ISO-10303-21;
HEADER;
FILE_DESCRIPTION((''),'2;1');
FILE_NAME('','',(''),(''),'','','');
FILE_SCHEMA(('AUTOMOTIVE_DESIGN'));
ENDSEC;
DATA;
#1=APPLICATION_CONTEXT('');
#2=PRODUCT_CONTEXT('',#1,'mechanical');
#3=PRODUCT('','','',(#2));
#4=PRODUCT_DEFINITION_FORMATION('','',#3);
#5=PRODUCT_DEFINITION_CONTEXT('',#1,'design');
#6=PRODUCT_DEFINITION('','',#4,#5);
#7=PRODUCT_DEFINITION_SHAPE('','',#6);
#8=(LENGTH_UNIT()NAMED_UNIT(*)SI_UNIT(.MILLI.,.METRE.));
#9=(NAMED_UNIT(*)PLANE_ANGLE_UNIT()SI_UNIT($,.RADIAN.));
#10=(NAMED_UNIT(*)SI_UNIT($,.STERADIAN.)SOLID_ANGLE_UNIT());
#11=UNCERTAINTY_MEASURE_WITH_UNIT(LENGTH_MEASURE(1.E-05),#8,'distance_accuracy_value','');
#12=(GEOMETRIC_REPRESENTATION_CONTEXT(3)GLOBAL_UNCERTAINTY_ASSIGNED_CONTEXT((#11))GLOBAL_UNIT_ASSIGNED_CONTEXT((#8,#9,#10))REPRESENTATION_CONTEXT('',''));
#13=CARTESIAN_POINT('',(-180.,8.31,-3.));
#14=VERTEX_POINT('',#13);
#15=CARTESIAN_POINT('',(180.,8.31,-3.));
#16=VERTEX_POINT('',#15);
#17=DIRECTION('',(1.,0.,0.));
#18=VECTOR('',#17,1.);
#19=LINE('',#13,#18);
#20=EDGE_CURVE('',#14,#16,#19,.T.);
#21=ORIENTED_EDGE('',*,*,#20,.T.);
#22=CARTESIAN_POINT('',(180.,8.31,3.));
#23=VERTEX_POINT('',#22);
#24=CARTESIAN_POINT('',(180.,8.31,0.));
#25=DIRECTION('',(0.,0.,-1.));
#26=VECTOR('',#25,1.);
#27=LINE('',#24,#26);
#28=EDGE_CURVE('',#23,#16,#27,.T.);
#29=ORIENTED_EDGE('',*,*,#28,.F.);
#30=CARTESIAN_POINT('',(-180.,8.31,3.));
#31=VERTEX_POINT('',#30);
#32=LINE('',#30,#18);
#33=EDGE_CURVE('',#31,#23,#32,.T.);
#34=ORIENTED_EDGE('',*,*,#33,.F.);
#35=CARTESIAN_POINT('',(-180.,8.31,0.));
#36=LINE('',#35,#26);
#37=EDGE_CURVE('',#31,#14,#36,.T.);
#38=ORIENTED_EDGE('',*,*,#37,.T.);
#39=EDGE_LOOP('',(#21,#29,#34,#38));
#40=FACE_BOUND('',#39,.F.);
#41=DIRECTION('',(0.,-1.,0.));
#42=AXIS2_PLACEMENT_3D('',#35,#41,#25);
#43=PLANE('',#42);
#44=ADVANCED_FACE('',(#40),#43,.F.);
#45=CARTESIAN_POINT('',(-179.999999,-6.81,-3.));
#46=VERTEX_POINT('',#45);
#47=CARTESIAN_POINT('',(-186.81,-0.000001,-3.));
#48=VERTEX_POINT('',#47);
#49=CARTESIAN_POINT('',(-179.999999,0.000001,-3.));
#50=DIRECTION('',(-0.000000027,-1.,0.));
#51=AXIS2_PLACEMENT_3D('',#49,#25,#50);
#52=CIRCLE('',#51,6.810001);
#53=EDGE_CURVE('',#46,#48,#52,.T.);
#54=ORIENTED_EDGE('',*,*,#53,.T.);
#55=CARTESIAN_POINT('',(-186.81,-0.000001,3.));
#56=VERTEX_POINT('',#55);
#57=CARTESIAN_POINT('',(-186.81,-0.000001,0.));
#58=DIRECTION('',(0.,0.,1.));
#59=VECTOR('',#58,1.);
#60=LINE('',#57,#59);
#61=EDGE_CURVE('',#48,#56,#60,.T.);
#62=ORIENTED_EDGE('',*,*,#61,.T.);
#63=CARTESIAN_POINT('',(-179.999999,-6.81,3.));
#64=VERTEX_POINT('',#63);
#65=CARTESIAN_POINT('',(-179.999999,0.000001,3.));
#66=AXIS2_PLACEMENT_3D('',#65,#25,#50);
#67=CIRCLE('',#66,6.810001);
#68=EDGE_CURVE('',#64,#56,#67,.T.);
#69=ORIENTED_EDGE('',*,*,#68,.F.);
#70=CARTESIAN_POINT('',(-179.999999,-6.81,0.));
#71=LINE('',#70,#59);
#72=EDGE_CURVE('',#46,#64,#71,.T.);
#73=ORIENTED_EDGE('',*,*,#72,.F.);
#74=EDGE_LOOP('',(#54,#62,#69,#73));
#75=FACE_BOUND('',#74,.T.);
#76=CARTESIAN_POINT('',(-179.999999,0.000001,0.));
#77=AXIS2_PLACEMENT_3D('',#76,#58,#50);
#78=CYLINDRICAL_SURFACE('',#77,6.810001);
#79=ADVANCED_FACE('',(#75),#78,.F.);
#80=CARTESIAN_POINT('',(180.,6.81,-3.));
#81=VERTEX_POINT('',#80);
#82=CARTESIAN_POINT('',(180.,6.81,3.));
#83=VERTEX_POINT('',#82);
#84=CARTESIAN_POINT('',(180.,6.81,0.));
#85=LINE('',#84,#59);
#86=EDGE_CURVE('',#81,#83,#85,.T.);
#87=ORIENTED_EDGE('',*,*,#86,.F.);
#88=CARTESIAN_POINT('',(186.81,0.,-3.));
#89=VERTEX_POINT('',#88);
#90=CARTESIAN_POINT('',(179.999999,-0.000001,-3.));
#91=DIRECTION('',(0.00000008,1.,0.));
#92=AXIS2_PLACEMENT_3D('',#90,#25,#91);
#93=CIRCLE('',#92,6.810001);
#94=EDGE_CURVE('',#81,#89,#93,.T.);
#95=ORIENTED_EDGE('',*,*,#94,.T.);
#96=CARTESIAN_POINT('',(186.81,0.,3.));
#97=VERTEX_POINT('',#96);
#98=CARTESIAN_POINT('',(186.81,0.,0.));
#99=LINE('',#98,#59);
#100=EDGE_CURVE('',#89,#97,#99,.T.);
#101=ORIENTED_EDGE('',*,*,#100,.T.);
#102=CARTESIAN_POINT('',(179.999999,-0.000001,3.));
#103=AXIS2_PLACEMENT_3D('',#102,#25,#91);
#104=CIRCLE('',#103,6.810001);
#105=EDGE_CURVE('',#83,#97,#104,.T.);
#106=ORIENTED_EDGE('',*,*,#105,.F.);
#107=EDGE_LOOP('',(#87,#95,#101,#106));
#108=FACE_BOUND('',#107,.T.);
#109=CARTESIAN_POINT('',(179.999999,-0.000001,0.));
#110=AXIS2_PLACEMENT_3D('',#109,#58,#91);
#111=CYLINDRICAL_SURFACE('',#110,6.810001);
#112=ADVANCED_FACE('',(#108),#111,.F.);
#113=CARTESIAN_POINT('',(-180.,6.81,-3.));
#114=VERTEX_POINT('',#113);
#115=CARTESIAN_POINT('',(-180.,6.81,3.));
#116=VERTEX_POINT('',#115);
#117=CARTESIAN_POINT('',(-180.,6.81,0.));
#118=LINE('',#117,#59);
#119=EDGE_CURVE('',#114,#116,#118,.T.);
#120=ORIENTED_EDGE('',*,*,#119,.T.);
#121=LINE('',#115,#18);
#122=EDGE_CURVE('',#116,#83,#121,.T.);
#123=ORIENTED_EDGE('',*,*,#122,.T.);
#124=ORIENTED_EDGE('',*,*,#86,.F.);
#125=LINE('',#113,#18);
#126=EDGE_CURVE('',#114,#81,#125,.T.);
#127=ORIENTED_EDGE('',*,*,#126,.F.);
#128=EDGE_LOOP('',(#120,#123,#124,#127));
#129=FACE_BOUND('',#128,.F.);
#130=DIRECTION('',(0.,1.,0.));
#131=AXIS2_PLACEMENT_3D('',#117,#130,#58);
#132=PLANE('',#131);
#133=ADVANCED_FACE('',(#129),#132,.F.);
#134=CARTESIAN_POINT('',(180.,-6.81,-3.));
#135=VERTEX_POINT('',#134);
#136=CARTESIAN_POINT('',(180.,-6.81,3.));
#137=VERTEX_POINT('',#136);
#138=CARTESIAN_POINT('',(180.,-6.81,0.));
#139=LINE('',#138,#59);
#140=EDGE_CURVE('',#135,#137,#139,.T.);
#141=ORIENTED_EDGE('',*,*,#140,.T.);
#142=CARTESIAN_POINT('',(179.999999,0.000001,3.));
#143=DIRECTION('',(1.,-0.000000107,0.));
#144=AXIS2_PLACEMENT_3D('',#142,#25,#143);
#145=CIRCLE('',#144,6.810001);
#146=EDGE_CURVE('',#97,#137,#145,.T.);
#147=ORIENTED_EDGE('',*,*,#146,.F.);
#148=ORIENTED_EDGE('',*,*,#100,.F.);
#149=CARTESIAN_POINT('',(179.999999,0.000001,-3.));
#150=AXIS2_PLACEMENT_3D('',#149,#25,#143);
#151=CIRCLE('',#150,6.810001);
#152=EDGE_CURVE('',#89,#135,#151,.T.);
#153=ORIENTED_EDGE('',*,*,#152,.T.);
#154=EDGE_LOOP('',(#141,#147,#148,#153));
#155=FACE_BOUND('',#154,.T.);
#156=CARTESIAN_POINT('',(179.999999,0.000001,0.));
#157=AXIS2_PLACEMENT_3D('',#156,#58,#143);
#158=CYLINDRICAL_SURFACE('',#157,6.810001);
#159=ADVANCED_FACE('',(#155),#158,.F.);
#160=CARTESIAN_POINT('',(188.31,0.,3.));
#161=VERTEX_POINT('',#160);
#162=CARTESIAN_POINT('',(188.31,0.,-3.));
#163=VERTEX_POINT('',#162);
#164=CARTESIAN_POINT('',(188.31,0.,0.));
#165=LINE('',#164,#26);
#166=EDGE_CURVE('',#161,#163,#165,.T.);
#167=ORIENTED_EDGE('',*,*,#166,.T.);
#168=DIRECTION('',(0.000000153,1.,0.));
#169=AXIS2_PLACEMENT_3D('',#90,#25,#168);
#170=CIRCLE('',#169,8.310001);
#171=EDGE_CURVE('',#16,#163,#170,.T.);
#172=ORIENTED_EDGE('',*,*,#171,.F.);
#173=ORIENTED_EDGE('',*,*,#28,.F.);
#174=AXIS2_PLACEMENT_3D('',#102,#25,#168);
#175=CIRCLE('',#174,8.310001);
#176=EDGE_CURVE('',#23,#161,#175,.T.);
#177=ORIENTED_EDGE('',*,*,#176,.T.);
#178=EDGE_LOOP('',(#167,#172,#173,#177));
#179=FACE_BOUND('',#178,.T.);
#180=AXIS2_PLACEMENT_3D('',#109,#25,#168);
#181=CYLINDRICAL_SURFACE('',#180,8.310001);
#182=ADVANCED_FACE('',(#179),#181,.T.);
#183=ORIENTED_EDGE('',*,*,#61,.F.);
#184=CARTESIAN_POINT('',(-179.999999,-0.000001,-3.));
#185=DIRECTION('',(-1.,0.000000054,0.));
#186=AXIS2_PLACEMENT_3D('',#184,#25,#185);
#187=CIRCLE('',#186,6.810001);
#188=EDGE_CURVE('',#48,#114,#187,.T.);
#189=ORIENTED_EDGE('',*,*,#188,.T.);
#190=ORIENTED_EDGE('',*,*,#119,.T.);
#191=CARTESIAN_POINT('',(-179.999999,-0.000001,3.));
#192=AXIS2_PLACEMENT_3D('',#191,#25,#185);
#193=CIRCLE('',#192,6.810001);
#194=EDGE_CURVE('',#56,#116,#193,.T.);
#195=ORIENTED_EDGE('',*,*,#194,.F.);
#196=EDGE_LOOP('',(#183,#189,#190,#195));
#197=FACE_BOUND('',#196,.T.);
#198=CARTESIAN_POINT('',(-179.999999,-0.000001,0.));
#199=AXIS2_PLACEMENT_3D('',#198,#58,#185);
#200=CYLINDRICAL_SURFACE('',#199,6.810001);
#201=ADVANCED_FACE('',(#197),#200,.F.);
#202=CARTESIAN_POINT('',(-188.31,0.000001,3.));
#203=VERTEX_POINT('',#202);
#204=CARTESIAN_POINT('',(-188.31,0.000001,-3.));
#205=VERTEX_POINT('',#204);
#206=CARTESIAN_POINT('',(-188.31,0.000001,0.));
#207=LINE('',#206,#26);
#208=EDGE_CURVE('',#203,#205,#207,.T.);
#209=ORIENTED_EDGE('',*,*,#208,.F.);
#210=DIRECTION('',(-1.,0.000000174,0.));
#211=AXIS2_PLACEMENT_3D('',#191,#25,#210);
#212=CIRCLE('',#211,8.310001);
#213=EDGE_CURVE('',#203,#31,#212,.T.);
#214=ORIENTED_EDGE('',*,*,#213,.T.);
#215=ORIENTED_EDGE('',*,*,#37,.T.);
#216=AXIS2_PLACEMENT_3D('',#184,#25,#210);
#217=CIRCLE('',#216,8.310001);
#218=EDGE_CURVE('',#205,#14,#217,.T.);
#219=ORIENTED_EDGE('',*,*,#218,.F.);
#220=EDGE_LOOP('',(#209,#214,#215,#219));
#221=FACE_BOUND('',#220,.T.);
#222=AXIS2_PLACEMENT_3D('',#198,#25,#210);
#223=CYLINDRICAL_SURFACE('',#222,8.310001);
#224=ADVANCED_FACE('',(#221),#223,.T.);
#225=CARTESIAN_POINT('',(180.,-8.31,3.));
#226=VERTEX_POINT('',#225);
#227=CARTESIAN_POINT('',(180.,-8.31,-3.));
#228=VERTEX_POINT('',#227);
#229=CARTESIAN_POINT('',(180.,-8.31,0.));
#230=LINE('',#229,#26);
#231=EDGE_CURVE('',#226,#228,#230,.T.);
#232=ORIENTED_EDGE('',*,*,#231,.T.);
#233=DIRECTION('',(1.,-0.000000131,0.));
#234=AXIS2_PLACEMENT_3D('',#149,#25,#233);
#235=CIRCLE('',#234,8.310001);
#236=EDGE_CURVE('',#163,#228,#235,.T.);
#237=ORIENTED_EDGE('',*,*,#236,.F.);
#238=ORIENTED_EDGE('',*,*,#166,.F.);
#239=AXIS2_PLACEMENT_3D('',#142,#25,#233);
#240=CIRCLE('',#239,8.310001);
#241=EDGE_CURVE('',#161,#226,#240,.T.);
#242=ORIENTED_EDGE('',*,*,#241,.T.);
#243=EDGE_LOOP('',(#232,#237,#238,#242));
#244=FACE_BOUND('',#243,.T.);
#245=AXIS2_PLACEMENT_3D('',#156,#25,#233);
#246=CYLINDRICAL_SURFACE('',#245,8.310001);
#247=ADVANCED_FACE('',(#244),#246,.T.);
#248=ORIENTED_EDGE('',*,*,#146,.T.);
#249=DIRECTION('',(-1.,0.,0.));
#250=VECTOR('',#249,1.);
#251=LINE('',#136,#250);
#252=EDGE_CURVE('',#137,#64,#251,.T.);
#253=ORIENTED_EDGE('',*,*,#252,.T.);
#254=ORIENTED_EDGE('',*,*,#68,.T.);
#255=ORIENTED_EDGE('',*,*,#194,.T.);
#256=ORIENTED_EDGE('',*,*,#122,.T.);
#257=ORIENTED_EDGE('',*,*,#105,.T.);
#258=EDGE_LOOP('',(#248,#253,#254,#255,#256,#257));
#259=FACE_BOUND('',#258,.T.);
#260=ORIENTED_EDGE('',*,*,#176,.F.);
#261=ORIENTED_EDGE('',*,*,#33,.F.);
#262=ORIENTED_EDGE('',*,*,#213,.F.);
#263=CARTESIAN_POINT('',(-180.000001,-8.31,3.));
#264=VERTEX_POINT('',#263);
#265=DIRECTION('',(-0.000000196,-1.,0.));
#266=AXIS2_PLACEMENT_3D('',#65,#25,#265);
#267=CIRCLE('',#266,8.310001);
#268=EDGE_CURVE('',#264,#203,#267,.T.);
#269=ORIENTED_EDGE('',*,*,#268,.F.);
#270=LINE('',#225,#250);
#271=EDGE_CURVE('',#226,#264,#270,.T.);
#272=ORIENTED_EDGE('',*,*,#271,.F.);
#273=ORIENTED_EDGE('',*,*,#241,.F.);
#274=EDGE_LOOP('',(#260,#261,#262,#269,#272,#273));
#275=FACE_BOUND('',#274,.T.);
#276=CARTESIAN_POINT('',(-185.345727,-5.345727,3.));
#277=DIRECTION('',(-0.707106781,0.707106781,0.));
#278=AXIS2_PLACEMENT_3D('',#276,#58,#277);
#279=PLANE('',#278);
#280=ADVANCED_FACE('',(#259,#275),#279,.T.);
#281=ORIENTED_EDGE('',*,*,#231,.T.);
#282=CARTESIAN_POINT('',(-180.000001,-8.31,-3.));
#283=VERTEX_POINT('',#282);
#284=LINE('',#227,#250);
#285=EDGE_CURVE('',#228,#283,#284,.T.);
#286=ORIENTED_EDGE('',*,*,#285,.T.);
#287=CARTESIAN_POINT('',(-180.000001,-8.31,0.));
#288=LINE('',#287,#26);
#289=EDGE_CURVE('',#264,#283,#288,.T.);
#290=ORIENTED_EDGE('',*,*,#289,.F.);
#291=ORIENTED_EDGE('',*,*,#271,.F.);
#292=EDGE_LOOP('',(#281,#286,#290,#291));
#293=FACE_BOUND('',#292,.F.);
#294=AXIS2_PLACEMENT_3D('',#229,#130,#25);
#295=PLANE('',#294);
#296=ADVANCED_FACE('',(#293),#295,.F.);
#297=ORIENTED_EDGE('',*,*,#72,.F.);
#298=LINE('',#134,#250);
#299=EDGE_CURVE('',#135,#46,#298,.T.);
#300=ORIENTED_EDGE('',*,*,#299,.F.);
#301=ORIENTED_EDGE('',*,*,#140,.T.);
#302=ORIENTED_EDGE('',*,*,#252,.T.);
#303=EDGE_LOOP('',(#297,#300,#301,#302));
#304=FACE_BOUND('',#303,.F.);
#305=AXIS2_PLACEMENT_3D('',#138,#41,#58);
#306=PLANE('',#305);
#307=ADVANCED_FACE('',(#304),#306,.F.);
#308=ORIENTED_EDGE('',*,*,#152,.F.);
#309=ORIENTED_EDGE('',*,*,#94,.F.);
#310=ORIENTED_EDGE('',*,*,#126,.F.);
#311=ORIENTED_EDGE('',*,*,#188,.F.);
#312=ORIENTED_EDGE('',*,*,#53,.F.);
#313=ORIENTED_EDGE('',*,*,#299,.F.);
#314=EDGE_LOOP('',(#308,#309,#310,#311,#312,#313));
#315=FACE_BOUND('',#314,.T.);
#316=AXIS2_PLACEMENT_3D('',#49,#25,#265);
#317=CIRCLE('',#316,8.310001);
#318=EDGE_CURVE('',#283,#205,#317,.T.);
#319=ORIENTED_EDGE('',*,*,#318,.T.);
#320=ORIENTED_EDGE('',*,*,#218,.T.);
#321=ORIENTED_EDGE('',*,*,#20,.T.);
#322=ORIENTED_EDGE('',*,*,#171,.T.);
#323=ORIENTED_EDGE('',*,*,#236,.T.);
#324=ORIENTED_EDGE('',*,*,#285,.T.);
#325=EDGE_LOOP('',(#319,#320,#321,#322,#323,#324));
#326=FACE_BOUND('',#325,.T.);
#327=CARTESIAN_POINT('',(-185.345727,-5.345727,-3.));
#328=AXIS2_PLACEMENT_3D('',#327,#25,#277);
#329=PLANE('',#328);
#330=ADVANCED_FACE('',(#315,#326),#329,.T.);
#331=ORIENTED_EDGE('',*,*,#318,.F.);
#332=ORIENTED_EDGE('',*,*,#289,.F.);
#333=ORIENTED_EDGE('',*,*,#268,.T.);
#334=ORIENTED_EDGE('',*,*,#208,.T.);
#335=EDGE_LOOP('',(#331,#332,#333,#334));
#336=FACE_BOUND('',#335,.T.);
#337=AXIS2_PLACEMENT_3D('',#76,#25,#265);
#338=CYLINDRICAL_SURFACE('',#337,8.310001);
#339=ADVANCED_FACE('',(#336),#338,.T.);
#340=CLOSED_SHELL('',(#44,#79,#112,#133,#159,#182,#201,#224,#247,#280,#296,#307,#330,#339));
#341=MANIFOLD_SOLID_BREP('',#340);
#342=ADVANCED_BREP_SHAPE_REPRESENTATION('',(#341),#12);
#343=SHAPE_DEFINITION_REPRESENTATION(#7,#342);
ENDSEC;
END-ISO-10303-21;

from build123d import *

# Parameters (mm, degrees)
F1_W = 1.5
F1_H = 6


with BuildPart() as f2:
    # F2: sweep along a path in F0
    with BuildLine(Plane.XY) as f2_path:
        Line((0, -7.56), (-180, -7.56))
        ThreePointArc((-180, -7.56), (-185.345727, -5.345727), (-187.56, 0))
        ThreePointArc((-187.56, 0), (-185.345727, 5.345727), (-180, 7.56))
        Line((-180, 7.56), (0, 7.56))
        Line((0, 7.56), (180, 7.56))
        ThreePointArc((180, 7.56), (185.345727, 5.345727), (187.56, 0))
        ThreePointArc((187.56, 0), (185.345727, -5.345727), (180, -7.56))
        Line((180, -7.56), (0, -7.56))
    # F1 (on Right) → F2 (sweep)
    with BuildSketch(Plane.YZ):
        with Locations((-7.56, 0)):
            Rectangle(F1_W, F1_H)
    sweep(path=f2_path.line)


solid = f2.part
